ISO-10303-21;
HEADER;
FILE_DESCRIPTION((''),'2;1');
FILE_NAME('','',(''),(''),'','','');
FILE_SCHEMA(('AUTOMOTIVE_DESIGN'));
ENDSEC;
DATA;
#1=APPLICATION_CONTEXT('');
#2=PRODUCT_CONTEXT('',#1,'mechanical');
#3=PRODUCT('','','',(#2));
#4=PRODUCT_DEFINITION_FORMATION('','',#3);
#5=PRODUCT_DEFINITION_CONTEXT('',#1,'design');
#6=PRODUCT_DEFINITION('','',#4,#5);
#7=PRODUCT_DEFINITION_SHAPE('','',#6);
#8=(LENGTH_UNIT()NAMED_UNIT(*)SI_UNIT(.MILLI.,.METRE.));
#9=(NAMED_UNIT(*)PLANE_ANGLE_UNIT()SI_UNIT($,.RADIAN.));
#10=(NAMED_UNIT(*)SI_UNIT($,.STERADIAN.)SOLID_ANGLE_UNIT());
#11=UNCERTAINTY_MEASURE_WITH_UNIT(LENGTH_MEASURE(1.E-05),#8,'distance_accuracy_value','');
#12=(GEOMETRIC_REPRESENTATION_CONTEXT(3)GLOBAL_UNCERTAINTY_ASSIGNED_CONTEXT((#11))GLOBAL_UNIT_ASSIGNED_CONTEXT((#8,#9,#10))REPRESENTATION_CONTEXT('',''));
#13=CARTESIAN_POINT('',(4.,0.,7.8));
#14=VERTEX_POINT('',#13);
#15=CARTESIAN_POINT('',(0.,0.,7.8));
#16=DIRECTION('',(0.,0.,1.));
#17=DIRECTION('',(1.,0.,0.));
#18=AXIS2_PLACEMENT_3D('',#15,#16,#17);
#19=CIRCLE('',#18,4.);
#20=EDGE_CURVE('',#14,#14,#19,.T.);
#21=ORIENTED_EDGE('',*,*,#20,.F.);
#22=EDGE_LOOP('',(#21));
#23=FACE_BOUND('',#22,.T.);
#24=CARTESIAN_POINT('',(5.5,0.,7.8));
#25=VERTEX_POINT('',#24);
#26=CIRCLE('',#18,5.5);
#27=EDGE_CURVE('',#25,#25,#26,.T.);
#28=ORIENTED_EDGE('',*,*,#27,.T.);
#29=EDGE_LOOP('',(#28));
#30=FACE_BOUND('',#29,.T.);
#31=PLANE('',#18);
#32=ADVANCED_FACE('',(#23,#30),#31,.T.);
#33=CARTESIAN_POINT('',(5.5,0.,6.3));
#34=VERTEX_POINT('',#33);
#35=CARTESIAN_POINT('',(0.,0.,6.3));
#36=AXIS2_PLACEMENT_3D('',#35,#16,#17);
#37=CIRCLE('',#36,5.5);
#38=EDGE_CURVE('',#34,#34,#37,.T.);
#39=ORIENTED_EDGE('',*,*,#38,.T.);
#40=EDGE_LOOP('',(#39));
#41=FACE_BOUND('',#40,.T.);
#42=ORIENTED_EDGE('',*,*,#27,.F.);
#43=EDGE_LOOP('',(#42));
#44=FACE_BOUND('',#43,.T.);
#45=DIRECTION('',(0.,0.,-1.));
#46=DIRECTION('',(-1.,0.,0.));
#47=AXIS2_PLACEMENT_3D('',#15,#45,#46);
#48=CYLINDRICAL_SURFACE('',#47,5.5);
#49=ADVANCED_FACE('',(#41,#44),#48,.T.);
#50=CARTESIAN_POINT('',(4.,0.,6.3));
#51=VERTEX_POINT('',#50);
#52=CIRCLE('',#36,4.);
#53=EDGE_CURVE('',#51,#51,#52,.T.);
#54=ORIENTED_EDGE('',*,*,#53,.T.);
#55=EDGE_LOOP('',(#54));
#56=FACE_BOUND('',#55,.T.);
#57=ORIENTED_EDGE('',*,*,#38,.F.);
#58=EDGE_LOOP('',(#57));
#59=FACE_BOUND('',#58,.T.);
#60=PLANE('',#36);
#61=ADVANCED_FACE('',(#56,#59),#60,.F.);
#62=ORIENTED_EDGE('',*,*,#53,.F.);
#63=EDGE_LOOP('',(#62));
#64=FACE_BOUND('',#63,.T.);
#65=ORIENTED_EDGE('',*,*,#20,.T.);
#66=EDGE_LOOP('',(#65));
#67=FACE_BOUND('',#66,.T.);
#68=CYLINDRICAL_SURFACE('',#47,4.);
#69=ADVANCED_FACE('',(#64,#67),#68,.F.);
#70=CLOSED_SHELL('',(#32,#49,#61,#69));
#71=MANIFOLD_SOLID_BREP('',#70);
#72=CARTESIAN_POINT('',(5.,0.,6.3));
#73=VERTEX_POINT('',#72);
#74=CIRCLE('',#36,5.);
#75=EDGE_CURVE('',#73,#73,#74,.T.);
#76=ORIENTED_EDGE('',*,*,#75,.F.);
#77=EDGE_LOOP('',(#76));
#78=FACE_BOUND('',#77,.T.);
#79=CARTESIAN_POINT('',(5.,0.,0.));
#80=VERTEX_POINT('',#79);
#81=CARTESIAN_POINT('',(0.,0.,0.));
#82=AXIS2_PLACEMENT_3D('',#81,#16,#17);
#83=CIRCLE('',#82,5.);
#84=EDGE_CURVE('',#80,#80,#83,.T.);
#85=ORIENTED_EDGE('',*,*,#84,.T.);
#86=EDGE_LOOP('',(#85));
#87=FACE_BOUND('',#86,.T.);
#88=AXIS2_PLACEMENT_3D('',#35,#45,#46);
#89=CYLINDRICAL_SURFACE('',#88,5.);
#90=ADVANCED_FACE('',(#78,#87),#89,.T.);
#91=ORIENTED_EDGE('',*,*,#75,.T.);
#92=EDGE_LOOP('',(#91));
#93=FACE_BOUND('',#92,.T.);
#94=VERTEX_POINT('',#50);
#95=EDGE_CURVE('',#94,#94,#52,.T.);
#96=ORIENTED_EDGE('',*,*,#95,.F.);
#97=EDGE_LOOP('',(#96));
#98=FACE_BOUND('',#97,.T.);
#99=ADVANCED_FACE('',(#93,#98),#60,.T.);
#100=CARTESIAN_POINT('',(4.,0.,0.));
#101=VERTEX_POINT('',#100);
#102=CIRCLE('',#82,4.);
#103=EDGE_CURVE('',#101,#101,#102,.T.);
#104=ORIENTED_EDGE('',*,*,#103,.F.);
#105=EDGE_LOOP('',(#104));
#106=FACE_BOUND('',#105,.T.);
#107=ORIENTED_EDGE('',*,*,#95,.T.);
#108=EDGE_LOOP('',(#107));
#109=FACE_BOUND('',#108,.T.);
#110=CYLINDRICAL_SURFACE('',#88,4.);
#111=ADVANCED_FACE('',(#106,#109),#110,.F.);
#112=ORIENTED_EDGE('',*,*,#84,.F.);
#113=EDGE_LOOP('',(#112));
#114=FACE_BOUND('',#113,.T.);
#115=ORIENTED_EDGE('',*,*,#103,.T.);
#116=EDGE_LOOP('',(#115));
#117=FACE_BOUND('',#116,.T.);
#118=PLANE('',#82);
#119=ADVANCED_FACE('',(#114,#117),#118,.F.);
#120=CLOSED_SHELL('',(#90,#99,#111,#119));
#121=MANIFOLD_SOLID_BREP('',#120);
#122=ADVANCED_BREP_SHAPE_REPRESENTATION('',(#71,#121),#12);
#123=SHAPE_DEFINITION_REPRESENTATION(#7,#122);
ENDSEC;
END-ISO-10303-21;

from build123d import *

# Parameters (mm, degrees)
ESQUISSE1_R        = 5
ESQUISSE1_R_2      = 4
BOSS_EXTRU_1_DEPTH = 6.3
ESQUISSE2_R        = 5.5
ESQUISSE2_R_2      = 4
BOSS_EXTRU_2_DEPTH = 1.5


with BuildPart() as part:
    # Esquisse1 → Boss.-Extru.1 (new body)
    with BuildSketch(Plane.XY):
        Circle(ESQUISSE1_R)
        Circle(ESQUISSE1_R_2, mode=Mode.SUBTRACT)
    extrude(amount=BOSS_EXTRU_1_DEPTH)


with BuildPart() as body_2:
    # Esquisse2 → Boss.-Extru.2 (new body)
    with BuildSketch(Plane.XY.offset(6.3)):
        Circle(ESQUISSE2_R)
        Circle(ESQUISSE2_R_2, mode=Mode.SUBTRACT)
    extrude(amount=BOSS_EXTRU_2_DEPTH)


solid = Compound([part.part, body_2.part])
